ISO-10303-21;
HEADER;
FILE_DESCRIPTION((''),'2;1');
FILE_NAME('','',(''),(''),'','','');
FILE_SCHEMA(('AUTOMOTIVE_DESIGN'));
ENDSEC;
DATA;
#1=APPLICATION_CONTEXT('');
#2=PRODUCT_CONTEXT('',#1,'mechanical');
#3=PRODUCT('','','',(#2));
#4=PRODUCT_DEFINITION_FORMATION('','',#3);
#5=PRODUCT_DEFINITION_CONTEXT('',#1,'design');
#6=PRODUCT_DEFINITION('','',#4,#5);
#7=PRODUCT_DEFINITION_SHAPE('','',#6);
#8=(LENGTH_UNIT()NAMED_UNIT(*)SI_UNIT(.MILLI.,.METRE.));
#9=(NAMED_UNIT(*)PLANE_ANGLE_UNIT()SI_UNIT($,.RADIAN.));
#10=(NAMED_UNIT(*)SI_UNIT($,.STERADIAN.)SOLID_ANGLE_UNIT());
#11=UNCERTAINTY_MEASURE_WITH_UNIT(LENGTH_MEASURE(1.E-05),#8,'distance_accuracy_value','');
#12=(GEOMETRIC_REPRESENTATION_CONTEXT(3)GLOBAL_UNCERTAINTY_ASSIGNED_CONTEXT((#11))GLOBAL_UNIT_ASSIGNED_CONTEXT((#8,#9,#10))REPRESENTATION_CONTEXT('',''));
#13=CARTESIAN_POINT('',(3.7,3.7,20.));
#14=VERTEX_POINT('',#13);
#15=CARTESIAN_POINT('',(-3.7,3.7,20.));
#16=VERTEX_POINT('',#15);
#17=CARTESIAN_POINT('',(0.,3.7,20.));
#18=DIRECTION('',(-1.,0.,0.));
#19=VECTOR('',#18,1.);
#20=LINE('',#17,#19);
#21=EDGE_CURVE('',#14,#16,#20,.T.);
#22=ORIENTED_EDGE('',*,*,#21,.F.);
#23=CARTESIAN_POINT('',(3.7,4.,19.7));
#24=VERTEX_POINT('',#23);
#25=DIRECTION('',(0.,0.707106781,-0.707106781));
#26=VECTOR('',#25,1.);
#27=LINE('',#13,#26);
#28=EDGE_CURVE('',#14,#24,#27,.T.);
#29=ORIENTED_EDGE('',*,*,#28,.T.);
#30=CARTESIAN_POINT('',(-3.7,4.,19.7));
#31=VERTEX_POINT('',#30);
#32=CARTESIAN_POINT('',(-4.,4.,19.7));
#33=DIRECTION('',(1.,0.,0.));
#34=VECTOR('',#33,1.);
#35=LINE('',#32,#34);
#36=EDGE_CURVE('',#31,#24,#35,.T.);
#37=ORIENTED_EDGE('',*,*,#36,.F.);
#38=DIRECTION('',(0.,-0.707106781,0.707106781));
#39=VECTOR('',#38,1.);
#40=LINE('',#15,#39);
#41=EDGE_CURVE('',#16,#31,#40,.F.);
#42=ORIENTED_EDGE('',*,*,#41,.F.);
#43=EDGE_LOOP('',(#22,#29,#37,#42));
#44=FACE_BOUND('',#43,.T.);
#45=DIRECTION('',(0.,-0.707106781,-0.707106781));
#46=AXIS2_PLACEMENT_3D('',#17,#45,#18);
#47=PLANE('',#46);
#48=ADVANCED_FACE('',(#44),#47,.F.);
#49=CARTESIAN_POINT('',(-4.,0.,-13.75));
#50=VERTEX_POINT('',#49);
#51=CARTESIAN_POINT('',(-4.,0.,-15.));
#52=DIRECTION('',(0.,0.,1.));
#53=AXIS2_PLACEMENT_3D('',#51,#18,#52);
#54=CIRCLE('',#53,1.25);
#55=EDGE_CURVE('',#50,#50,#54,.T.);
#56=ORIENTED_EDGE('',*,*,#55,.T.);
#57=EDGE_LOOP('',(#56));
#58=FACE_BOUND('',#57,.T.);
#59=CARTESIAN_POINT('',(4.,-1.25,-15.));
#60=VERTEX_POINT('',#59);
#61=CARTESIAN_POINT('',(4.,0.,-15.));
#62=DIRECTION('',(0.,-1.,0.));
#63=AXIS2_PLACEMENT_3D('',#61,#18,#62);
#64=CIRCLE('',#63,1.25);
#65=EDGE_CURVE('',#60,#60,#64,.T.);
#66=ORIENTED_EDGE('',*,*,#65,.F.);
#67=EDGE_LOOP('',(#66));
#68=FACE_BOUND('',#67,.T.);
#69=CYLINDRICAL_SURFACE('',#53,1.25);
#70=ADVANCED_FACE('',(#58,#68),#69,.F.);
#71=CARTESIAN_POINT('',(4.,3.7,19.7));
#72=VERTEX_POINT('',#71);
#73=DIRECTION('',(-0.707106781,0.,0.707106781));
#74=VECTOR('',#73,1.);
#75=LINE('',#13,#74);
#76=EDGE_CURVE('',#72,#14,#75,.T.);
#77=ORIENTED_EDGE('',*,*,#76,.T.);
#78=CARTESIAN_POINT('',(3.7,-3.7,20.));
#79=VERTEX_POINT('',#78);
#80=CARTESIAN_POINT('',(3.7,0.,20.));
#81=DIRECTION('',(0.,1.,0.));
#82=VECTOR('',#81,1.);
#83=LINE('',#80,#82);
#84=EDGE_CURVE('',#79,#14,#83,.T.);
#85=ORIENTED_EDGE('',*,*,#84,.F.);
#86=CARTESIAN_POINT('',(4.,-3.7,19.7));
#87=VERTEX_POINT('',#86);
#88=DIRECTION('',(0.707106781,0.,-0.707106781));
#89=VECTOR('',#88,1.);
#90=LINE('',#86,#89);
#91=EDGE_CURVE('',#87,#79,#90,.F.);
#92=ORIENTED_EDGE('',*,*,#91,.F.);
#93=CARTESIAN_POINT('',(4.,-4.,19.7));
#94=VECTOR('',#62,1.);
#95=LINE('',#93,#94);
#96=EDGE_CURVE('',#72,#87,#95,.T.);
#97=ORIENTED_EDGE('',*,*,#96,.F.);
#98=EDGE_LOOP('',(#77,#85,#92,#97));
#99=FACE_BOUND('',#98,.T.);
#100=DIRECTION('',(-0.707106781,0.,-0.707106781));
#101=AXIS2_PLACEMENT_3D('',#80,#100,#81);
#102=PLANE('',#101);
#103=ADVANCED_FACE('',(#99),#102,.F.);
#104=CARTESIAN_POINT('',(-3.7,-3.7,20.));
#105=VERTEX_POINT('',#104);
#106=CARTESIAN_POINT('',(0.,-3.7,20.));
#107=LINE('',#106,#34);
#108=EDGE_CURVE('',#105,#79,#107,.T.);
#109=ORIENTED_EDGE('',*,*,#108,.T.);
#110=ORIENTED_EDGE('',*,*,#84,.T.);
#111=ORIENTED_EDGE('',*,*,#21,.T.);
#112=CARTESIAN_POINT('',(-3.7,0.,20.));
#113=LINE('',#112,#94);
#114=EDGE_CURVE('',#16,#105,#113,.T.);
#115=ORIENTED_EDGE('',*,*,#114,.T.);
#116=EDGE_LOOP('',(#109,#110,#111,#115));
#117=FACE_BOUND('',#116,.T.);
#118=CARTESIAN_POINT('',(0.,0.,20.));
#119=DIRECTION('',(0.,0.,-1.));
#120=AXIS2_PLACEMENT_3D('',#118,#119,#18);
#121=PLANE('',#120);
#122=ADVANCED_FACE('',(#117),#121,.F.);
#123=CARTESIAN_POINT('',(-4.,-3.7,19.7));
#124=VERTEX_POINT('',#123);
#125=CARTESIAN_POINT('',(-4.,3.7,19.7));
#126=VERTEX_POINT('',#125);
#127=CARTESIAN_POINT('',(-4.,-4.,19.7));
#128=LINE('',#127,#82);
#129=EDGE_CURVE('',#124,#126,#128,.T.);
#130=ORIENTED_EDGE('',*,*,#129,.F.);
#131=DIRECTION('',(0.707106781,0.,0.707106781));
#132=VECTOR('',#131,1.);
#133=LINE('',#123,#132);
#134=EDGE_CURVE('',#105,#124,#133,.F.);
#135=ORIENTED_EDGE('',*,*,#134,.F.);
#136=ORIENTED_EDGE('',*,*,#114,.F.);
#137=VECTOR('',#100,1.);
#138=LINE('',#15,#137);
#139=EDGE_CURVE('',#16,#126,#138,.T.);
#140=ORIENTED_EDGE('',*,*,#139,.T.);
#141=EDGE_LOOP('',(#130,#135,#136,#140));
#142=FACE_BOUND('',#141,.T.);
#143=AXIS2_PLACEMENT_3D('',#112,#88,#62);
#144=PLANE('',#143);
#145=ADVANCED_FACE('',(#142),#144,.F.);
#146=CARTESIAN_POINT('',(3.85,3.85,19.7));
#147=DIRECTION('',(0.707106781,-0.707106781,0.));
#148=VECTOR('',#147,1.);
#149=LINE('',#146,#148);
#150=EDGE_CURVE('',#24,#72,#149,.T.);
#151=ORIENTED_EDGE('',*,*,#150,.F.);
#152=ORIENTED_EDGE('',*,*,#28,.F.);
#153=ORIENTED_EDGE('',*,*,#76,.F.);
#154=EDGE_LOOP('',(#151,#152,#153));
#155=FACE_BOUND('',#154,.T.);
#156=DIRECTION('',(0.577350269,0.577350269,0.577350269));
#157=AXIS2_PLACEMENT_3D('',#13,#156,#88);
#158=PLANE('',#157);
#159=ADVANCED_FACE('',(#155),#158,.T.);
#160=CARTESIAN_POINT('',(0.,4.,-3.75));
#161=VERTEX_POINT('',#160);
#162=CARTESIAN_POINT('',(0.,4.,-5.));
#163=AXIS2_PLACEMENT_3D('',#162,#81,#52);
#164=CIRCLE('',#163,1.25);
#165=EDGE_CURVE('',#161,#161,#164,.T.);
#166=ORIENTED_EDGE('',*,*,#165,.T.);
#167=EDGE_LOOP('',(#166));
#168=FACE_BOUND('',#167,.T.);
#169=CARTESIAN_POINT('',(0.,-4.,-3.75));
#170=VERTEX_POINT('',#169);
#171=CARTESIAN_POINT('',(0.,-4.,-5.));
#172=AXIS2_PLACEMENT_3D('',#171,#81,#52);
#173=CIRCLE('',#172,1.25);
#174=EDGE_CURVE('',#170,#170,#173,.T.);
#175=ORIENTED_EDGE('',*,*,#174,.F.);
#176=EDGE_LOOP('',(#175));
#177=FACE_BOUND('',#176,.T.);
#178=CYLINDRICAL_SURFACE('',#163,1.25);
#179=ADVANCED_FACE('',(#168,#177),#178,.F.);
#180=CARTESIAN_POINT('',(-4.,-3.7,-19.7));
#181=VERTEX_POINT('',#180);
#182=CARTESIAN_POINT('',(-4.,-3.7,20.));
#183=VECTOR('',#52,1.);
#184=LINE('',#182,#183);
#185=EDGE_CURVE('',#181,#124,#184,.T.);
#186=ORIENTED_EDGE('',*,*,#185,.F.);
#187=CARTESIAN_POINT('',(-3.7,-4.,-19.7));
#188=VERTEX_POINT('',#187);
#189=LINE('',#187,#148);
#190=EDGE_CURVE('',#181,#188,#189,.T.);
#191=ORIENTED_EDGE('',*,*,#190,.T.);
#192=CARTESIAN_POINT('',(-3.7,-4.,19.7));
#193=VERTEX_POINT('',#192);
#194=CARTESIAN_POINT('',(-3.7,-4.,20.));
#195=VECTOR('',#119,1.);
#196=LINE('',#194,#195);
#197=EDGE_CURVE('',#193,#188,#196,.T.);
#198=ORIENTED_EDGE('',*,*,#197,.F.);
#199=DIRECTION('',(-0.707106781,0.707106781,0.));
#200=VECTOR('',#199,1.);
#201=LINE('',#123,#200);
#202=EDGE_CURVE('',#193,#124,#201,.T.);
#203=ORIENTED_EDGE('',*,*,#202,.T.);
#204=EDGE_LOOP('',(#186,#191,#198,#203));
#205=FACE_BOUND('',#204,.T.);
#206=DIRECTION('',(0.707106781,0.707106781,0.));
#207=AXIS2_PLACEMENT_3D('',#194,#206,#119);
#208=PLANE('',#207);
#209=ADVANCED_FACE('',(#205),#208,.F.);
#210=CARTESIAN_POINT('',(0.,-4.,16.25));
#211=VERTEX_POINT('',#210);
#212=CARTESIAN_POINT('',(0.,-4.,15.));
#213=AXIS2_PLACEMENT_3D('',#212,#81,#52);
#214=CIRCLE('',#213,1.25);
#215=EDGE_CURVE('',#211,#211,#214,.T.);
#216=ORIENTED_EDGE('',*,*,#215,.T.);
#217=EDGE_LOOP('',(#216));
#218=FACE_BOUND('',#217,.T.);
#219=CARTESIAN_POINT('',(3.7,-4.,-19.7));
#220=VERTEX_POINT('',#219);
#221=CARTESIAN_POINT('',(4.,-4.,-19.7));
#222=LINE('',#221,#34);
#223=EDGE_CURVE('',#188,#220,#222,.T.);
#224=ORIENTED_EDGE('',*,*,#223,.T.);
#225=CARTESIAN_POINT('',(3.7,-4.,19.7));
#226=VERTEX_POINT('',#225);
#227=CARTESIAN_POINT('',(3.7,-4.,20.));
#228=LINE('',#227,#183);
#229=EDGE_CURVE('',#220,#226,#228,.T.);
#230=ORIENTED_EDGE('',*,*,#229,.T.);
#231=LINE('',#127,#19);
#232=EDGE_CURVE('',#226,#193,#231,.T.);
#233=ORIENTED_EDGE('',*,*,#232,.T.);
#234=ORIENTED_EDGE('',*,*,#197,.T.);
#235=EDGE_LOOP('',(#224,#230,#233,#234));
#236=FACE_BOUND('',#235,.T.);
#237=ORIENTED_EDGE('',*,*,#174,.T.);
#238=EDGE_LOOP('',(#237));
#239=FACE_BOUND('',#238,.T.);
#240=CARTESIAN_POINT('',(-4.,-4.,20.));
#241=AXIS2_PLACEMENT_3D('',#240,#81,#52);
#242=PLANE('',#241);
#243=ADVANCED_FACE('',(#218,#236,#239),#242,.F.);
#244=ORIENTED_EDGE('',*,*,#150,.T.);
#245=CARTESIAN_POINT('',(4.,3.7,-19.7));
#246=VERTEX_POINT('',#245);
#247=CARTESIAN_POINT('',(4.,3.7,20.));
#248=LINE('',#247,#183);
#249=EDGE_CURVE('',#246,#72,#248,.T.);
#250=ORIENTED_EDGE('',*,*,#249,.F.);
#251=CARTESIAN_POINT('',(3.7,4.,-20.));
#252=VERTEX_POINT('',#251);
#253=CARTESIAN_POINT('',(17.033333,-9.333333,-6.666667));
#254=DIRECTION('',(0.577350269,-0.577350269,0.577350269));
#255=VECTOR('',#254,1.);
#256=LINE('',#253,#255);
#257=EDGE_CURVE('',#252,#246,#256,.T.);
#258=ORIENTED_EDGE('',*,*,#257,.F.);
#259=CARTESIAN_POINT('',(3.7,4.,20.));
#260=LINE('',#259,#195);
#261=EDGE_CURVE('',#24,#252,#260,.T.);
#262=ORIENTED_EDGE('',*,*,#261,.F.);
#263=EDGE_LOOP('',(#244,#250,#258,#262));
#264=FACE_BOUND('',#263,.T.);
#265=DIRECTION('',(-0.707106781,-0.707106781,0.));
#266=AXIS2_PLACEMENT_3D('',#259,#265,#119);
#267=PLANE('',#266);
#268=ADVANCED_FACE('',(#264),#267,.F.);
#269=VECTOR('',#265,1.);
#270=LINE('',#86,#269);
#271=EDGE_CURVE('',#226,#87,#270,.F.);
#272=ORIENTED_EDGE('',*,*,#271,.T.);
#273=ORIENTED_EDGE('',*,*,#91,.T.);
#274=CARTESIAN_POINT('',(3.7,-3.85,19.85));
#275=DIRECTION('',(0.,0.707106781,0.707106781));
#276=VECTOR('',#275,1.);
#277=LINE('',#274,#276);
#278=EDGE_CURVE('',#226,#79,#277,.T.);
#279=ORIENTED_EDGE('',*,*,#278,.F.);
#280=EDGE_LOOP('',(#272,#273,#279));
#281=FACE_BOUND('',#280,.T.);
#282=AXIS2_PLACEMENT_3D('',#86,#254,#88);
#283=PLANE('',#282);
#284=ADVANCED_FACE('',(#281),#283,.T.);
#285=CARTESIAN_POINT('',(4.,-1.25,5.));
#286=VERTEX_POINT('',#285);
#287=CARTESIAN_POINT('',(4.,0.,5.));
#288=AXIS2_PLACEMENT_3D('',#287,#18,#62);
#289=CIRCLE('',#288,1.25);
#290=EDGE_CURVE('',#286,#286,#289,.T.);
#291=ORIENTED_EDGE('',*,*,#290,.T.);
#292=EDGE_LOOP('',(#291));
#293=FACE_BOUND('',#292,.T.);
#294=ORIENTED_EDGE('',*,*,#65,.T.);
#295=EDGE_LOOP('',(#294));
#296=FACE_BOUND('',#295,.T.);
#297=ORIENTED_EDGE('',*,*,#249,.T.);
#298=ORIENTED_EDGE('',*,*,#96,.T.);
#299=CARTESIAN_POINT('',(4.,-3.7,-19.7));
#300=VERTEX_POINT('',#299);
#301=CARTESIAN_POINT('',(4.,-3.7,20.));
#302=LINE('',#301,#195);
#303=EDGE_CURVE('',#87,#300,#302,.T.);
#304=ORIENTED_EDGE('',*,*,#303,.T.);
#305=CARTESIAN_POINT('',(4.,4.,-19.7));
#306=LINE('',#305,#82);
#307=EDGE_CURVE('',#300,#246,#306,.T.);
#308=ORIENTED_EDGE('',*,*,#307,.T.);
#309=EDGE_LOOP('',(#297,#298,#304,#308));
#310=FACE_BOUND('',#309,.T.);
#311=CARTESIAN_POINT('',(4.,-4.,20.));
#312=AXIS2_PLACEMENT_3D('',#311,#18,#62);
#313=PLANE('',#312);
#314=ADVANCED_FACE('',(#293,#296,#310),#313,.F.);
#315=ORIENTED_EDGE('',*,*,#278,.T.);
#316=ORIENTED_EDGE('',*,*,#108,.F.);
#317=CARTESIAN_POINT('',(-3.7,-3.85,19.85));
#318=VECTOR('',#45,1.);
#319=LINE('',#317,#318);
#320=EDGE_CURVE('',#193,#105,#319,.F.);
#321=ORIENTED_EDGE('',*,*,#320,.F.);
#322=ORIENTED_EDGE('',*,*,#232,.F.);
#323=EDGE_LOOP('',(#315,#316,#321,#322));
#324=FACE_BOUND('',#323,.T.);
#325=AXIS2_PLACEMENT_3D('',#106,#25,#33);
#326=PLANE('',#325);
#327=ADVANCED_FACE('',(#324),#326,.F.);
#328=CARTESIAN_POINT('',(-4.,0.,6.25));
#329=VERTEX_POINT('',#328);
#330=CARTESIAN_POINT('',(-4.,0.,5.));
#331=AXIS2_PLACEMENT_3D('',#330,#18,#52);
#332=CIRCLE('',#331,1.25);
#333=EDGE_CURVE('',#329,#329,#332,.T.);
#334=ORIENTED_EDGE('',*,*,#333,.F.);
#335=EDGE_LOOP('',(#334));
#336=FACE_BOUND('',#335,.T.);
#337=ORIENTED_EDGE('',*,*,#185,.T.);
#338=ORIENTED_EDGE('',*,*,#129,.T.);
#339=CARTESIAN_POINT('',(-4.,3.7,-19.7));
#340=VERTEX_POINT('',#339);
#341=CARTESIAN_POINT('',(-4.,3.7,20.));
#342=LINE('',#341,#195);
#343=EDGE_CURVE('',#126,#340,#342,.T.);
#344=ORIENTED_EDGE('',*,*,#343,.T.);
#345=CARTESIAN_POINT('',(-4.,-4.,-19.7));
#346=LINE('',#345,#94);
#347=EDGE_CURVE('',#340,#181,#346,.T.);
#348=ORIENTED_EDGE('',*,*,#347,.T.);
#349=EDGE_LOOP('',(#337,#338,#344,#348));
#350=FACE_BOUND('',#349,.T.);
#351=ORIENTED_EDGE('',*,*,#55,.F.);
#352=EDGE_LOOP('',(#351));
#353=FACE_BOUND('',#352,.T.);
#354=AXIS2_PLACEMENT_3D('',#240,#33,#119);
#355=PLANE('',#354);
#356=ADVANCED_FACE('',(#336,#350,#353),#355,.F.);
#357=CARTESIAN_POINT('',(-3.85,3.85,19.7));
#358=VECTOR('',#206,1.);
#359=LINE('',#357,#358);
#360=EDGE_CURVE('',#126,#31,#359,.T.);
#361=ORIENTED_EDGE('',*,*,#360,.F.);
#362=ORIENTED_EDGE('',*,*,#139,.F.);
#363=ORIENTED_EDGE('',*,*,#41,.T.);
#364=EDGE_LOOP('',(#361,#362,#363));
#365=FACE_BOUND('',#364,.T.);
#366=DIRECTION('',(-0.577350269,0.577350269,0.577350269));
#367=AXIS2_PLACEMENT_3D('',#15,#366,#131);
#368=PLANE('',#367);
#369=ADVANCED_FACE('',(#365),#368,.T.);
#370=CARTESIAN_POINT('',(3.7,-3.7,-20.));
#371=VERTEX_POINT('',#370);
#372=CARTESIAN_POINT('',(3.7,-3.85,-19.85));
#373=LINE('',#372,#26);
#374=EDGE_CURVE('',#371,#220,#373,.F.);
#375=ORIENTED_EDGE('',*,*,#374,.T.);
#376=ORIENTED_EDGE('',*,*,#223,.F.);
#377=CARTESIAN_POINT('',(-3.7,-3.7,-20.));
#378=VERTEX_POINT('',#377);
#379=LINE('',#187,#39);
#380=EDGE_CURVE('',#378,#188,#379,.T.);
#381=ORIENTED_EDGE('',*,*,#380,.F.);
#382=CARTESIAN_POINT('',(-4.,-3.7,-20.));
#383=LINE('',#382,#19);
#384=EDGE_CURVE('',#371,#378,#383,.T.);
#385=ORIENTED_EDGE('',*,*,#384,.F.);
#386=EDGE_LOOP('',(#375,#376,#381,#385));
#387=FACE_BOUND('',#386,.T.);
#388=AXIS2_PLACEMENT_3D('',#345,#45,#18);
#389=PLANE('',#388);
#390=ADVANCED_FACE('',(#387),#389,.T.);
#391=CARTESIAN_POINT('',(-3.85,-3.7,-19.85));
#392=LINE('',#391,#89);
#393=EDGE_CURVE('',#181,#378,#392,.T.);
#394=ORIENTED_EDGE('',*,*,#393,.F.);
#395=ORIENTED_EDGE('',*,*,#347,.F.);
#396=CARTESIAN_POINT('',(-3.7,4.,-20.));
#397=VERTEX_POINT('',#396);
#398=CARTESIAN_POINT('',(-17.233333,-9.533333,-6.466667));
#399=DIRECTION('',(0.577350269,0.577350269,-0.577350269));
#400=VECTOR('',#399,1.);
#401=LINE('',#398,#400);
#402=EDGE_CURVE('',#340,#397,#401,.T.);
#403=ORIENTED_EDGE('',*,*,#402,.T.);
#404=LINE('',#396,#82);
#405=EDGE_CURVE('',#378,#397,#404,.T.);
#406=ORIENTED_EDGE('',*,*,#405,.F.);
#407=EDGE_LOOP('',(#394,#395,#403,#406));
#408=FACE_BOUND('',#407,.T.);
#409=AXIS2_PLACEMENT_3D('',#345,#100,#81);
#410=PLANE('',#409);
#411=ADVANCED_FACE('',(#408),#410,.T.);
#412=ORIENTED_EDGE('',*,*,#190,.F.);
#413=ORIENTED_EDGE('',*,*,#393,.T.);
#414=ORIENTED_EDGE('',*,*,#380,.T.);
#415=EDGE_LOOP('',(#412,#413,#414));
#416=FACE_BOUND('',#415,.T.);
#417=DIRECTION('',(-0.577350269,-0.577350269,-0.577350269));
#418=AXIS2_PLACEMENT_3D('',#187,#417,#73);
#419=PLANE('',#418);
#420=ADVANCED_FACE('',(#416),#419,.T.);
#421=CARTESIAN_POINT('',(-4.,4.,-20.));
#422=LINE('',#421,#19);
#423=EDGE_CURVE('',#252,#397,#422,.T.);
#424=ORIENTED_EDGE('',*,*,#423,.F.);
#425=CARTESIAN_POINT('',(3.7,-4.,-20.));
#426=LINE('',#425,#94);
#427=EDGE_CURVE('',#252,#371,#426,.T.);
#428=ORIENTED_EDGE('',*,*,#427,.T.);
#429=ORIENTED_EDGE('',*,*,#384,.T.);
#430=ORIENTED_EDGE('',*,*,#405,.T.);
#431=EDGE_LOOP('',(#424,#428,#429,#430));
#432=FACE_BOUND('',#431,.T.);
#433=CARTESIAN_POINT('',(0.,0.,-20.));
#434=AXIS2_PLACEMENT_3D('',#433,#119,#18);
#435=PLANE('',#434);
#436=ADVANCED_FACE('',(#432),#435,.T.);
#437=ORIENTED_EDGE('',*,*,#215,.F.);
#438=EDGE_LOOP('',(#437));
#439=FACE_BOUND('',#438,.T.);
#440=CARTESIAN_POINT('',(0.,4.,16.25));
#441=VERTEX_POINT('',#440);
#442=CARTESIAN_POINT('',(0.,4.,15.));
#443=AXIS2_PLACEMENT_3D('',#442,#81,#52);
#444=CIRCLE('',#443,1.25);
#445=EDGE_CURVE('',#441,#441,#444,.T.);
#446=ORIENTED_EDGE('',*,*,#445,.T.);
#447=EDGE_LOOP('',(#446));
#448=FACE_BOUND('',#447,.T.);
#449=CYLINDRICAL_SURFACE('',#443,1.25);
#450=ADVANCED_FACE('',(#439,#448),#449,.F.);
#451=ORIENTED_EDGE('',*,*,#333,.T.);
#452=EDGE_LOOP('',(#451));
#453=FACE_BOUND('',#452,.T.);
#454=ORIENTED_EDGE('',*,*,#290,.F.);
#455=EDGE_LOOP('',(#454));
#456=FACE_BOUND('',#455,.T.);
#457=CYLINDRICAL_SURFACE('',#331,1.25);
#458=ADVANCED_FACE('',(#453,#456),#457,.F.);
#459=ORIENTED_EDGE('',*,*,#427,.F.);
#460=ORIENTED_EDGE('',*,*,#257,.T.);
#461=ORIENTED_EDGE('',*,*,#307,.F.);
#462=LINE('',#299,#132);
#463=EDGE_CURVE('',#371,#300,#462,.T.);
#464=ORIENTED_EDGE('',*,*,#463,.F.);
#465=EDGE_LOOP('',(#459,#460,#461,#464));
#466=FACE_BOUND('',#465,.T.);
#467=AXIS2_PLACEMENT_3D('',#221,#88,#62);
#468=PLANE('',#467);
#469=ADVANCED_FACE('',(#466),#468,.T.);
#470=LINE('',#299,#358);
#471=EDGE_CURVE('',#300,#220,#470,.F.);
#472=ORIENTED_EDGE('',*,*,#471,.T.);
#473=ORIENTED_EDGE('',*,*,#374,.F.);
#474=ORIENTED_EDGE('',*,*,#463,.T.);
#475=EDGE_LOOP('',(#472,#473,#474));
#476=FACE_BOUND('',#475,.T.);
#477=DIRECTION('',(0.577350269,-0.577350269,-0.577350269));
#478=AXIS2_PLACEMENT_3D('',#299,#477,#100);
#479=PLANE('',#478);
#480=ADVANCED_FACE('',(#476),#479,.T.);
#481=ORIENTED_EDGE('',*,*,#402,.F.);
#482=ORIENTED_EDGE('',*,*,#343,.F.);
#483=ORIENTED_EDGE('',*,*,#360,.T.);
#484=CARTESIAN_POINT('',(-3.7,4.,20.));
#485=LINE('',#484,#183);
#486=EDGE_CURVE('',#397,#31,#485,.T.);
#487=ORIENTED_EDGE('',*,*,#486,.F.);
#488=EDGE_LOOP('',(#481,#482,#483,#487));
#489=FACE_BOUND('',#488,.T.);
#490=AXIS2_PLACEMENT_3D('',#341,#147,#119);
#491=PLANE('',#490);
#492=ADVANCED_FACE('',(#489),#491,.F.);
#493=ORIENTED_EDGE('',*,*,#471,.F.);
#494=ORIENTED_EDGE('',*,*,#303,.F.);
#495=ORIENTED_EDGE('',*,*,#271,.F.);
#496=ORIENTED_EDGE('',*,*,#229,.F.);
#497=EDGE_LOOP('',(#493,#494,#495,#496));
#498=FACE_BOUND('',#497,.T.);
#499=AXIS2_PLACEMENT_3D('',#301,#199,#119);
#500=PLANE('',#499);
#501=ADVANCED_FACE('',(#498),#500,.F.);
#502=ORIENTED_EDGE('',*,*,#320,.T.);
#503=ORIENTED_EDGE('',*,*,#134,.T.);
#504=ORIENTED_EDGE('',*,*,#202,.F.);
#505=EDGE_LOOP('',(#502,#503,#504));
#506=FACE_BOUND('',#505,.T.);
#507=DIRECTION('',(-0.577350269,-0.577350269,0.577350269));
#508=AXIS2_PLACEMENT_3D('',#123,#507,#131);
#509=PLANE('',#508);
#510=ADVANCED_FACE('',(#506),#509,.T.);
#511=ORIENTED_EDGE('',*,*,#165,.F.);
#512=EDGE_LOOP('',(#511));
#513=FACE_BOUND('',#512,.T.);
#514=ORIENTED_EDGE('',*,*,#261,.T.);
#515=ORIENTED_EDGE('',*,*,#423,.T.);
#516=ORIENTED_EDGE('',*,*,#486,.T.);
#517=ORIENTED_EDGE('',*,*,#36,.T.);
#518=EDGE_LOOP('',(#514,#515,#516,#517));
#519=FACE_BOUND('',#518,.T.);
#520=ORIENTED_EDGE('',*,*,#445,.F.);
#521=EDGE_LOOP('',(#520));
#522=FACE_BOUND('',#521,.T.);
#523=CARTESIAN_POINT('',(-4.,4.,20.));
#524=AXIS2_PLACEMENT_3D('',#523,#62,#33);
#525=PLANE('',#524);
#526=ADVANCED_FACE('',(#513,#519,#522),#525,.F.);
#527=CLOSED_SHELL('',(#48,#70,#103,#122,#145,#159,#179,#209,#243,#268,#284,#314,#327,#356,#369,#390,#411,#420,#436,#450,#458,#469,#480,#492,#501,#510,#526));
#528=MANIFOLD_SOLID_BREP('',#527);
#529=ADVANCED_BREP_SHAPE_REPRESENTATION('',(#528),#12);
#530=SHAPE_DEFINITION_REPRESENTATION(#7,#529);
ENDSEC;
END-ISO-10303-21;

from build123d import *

# Parameters (mm, degrees)
SKETCH_1_W      = 8
SKETCH_1_H      = 8
EXTRUDE_1_DEPTH = 20
HOLE_WIZARD_1_D = 2.5
HOLE_WIZARD_2_D = 2.5
CHAMFER_1_SIZE  = 0.3


with BuildPart() as part:
    # 草图1 → 凸台-拉伸1 (new, symmetric)
    with BuildSketch(Plane.XY):
        Rectangle(SKETCH_1_W, SKETCH_1_H)
    extrude(amount=EXTRUDE_1_DEPTH, both=True)

    # Hole Wizard 1 (through all)
    with Locations(Plane.ZY.offset(4)):
        with Locations((-15, 0), (5, 0)):
            Hole(HOLE_WIZARD_1_D / 2)

    # Hole Wizard 2 (through all)
    with Locations(Plane(origin=(0, 4, 0), x_dir=(1, 0, 0), z_dir=(0, 1, 0))):
        with Locations((0, 5), (0, -15)):
            Hole(HOLE_WIZARD_2_D / 2)

    # 倒角1
    chamfer_1_edges = [part.edges().sort_by_distance(p)[0] for p in [
        (-4, 0, 20),
        (0, -4, 20),
        (4, 0, 20),
        (0, -4, -20),
        (-4, 0, -20),
        (4, 0, -20),
        (4, -4, 0),
        (-4, -4, 0),
        (-4, 4, 0),
        (4, 4, 0),
        (0, 4, 20),
    ]]
    chamfer(chamfer_1_edges, length=CHAMFER_1_SIZE)


solid = part.part
